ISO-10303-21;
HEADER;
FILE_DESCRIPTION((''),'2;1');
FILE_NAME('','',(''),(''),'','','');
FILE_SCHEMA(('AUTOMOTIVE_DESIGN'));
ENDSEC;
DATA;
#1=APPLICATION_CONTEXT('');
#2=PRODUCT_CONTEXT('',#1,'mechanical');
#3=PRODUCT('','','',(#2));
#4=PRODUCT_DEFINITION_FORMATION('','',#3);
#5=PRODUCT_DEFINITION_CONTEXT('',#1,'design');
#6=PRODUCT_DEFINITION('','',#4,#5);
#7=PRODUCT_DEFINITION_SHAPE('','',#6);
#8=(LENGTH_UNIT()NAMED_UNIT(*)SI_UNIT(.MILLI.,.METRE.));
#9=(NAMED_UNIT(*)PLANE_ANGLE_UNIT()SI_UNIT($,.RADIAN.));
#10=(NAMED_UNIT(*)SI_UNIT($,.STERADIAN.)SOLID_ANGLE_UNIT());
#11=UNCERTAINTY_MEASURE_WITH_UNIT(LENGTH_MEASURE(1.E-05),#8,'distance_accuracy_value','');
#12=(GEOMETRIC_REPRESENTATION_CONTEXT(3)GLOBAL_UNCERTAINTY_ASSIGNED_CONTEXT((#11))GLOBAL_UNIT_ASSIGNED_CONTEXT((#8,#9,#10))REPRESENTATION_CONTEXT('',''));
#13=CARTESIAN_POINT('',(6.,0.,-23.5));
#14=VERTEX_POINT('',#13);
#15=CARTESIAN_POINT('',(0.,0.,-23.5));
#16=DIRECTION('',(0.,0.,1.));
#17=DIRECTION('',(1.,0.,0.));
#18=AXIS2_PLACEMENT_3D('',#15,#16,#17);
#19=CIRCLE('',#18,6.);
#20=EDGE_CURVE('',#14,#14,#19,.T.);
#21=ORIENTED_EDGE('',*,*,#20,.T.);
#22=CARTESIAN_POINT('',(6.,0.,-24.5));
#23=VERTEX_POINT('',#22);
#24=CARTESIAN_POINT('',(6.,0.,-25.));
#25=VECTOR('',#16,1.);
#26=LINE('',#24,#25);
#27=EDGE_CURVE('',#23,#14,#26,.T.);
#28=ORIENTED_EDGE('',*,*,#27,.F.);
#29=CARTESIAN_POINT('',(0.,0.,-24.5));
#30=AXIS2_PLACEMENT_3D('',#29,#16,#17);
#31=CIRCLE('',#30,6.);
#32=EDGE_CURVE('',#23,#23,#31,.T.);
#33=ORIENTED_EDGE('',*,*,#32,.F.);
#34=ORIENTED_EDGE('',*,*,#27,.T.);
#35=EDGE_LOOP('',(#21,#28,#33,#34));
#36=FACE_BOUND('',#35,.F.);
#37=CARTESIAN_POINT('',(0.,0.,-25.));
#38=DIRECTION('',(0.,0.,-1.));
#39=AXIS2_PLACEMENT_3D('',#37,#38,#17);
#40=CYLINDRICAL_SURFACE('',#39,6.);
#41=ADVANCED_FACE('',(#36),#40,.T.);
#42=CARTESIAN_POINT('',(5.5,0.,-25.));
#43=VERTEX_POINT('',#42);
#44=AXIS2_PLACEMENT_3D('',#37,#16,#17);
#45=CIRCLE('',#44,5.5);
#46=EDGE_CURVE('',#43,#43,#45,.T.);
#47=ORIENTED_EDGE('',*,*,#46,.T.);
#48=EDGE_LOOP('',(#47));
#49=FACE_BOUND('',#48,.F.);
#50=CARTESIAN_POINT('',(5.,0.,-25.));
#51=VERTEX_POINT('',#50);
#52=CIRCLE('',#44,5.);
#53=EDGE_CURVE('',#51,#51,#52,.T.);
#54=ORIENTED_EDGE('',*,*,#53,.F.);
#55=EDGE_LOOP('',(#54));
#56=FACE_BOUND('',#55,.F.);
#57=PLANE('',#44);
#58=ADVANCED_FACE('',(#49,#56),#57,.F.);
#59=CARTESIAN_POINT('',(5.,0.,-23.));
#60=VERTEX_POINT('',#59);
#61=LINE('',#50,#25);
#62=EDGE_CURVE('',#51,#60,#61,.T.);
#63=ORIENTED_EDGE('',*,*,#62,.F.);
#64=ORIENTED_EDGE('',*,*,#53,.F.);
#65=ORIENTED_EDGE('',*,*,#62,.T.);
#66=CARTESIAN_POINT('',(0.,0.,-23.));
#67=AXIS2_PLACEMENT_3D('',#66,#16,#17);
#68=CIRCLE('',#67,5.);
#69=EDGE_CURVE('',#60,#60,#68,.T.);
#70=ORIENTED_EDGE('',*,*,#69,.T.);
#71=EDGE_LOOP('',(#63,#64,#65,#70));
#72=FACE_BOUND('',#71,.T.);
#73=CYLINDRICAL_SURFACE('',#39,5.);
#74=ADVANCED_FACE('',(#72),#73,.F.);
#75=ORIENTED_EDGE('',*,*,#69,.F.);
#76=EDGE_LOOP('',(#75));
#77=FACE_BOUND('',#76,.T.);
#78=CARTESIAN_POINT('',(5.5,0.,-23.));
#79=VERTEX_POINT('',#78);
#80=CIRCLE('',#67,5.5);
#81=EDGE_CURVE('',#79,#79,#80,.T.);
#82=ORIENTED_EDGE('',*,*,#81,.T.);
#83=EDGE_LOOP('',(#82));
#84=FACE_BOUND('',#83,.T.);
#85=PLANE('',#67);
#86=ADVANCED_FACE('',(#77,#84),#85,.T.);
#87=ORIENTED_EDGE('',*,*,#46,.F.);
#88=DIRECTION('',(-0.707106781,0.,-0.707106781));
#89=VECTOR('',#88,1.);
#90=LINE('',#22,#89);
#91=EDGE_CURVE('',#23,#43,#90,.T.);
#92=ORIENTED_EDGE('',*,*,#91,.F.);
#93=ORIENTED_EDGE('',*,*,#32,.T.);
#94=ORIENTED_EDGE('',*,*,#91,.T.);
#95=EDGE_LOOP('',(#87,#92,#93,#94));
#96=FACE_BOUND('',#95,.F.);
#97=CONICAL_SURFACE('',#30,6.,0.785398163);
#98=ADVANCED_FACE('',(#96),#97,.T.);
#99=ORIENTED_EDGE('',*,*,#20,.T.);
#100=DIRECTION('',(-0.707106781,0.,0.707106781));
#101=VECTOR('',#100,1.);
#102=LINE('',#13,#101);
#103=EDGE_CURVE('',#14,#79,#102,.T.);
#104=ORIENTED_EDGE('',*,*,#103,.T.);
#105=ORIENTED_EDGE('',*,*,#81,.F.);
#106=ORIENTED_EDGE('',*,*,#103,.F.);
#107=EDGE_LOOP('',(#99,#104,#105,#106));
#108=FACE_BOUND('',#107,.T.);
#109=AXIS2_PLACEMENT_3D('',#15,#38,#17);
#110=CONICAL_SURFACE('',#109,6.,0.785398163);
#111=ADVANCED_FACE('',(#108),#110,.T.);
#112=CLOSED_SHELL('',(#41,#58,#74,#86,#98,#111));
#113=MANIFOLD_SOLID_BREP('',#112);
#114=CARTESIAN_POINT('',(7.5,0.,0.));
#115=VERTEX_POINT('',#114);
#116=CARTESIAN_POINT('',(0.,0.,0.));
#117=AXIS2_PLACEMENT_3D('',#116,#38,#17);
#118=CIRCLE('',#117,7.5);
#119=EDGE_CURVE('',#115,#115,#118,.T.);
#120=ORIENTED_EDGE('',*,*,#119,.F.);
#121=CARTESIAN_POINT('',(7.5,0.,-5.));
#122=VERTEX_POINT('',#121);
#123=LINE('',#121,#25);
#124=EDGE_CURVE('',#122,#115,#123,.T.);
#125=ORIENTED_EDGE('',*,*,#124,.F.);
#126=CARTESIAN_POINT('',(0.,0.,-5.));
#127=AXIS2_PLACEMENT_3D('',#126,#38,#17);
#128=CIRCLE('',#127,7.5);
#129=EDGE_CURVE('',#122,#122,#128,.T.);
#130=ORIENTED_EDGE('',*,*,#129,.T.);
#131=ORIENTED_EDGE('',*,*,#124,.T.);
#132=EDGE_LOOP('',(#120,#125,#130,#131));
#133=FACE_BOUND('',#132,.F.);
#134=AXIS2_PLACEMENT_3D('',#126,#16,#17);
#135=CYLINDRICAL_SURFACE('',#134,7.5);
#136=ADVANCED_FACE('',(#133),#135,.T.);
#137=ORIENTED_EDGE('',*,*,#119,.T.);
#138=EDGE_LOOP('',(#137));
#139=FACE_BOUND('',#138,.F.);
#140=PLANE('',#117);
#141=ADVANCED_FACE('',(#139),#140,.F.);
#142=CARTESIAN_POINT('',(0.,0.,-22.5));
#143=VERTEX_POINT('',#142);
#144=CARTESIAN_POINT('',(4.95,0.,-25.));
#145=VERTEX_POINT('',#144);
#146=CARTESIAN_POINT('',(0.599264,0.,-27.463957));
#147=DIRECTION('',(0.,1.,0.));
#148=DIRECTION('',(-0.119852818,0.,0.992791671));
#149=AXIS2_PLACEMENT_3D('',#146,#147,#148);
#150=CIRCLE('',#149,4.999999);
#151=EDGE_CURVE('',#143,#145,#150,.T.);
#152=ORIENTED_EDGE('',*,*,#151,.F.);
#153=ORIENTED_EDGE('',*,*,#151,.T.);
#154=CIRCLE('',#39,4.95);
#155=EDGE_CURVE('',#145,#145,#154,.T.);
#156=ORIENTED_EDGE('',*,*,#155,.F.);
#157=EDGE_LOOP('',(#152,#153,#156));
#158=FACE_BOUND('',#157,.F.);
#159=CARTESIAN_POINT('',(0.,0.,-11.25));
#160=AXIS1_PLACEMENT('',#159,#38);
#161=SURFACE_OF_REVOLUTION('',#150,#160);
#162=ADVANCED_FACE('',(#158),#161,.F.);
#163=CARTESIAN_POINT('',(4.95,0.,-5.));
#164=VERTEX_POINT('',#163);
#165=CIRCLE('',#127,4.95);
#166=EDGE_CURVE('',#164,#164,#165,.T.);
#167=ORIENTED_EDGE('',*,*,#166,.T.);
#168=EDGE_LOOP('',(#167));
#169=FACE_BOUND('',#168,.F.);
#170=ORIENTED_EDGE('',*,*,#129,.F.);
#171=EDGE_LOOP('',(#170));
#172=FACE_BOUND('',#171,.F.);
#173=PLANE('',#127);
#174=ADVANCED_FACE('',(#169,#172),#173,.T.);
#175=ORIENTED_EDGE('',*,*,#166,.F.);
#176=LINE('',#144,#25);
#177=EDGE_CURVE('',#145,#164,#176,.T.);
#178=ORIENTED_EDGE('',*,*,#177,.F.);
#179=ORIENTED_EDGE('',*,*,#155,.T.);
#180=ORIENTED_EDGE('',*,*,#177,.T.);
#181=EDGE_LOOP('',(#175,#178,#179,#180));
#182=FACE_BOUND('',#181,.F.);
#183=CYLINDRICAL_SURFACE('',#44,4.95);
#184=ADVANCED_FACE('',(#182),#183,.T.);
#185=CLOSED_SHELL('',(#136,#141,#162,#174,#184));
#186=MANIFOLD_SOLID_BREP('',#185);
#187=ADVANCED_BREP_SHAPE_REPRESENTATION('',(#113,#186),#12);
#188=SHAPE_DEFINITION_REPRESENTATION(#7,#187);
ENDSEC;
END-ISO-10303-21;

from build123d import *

# Parameters (mm, degrees)
F3_R     = 6
F3_R_2   = 5
F4_DEPTH = 2
F5_SIZE  = 0.5
F6_SIZE  = 0.5


with BuildPart() as f1:
    # F0 (on Front) → F1 (revolve)
    with BuildSketch(Plane.XZ):
        with BuildLine():
            Line((7.5, 0), (0, 0))
            Line((0, 0), (0, -22.5))
            ThreePointArc((0, -22.5), (2.853346, -23.000875), (4.95, -25))
            Line((4.95, -25), (4.95, -5))
            Line((4.95, -5), (7.5, -5))
            Line((7.5, -5), (7.5, 0))
        make_face()
    revolve(axis=Axis((0, 0, -11.25), (0, 0, -1)))


with BuildPart() as f4:
    # F3 (on offset) → F4 (new body)
    with BuildSketch(Plane.XY.offset(-25)):
        Circle(F3_R)
        Circle(F3_R_2, mode=Mode.SUBTRACT)
    extrude(amount=F4_DEPTH)

    # F5
    f5_edges = [f4.edges().sort_by_distance(p)[0] for p in [
        (-6, 0, -25),
    ]]
    chamfer(f5_edges, length=F5_SIZE)

    # F6
    f6_edges = [f4.edges().sort_by_distance(p)[0] for p in [
        (-6, 0, -23),
    ]]
    chamfer(f6_edges, length=F6_SIZE)


solid = Compound([f1.part, f4.part])
